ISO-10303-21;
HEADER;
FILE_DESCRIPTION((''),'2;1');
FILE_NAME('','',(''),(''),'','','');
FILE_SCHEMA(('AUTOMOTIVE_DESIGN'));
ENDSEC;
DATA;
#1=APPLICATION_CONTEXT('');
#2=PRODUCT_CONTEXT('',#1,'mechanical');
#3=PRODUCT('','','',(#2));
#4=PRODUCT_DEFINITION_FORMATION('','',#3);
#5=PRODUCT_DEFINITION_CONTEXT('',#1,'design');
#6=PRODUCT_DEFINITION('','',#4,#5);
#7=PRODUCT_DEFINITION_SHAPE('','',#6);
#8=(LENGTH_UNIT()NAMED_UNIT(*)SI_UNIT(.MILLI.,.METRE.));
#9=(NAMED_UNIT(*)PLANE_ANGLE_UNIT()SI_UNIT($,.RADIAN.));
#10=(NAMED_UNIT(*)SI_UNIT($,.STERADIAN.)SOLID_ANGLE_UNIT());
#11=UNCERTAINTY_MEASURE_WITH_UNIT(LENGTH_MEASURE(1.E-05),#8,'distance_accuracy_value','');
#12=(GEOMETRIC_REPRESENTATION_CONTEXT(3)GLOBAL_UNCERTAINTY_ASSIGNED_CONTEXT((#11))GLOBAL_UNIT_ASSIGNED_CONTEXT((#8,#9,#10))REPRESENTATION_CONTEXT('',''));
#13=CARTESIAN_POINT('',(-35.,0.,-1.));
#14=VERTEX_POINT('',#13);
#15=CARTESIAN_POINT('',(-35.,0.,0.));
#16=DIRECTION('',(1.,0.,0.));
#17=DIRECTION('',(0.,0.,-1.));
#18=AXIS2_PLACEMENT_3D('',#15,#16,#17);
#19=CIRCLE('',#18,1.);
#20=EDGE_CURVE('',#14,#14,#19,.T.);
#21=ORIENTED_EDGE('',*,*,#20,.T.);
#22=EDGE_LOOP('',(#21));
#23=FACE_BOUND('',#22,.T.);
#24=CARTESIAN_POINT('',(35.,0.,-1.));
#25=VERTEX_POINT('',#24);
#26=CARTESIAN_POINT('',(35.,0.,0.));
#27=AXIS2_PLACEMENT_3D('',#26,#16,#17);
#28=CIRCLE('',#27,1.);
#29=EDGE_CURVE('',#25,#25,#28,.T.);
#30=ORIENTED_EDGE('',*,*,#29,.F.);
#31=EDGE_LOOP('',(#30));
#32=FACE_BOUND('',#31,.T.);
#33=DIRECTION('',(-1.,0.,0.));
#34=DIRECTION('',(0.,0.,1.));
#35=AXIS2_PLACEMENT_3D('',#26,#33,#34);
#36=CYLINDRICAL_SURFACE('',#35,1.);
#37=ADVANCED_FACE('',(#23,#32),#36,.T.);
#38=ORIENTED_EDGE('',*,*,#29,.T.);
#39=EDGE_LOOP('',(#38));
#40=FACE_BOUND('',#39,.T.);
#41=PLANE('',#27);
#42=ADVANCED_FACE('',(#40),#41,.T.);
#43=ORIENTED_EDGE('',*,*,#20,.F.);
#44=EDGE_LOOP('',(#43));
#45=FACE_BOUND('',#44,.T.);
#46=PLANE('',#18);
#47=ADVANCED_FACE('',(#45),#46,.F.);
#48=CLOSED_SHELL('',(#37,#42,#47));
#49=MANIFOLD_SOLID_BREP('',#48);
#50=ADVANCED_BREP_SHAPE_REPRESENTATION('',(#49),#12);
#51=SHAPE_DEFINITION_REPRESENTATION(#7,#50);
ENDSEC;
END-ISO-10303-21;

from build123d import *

# Parameters (mm, degrees)
SKETCH1_R = 1
ROD_DEPTH = 35


with BuildPart() as part:
    # Sketch1 → Rod (new, symmetric)
    with BuildSketch(Plane(origin=(0, 0, 0), x_dir=(0, 0, -1), z_dir=(1, 0, 0))):
        Circle(SKETCH1_R)
    extrude(amount=ROD_DEPTH, both=True)


solid = part.part
